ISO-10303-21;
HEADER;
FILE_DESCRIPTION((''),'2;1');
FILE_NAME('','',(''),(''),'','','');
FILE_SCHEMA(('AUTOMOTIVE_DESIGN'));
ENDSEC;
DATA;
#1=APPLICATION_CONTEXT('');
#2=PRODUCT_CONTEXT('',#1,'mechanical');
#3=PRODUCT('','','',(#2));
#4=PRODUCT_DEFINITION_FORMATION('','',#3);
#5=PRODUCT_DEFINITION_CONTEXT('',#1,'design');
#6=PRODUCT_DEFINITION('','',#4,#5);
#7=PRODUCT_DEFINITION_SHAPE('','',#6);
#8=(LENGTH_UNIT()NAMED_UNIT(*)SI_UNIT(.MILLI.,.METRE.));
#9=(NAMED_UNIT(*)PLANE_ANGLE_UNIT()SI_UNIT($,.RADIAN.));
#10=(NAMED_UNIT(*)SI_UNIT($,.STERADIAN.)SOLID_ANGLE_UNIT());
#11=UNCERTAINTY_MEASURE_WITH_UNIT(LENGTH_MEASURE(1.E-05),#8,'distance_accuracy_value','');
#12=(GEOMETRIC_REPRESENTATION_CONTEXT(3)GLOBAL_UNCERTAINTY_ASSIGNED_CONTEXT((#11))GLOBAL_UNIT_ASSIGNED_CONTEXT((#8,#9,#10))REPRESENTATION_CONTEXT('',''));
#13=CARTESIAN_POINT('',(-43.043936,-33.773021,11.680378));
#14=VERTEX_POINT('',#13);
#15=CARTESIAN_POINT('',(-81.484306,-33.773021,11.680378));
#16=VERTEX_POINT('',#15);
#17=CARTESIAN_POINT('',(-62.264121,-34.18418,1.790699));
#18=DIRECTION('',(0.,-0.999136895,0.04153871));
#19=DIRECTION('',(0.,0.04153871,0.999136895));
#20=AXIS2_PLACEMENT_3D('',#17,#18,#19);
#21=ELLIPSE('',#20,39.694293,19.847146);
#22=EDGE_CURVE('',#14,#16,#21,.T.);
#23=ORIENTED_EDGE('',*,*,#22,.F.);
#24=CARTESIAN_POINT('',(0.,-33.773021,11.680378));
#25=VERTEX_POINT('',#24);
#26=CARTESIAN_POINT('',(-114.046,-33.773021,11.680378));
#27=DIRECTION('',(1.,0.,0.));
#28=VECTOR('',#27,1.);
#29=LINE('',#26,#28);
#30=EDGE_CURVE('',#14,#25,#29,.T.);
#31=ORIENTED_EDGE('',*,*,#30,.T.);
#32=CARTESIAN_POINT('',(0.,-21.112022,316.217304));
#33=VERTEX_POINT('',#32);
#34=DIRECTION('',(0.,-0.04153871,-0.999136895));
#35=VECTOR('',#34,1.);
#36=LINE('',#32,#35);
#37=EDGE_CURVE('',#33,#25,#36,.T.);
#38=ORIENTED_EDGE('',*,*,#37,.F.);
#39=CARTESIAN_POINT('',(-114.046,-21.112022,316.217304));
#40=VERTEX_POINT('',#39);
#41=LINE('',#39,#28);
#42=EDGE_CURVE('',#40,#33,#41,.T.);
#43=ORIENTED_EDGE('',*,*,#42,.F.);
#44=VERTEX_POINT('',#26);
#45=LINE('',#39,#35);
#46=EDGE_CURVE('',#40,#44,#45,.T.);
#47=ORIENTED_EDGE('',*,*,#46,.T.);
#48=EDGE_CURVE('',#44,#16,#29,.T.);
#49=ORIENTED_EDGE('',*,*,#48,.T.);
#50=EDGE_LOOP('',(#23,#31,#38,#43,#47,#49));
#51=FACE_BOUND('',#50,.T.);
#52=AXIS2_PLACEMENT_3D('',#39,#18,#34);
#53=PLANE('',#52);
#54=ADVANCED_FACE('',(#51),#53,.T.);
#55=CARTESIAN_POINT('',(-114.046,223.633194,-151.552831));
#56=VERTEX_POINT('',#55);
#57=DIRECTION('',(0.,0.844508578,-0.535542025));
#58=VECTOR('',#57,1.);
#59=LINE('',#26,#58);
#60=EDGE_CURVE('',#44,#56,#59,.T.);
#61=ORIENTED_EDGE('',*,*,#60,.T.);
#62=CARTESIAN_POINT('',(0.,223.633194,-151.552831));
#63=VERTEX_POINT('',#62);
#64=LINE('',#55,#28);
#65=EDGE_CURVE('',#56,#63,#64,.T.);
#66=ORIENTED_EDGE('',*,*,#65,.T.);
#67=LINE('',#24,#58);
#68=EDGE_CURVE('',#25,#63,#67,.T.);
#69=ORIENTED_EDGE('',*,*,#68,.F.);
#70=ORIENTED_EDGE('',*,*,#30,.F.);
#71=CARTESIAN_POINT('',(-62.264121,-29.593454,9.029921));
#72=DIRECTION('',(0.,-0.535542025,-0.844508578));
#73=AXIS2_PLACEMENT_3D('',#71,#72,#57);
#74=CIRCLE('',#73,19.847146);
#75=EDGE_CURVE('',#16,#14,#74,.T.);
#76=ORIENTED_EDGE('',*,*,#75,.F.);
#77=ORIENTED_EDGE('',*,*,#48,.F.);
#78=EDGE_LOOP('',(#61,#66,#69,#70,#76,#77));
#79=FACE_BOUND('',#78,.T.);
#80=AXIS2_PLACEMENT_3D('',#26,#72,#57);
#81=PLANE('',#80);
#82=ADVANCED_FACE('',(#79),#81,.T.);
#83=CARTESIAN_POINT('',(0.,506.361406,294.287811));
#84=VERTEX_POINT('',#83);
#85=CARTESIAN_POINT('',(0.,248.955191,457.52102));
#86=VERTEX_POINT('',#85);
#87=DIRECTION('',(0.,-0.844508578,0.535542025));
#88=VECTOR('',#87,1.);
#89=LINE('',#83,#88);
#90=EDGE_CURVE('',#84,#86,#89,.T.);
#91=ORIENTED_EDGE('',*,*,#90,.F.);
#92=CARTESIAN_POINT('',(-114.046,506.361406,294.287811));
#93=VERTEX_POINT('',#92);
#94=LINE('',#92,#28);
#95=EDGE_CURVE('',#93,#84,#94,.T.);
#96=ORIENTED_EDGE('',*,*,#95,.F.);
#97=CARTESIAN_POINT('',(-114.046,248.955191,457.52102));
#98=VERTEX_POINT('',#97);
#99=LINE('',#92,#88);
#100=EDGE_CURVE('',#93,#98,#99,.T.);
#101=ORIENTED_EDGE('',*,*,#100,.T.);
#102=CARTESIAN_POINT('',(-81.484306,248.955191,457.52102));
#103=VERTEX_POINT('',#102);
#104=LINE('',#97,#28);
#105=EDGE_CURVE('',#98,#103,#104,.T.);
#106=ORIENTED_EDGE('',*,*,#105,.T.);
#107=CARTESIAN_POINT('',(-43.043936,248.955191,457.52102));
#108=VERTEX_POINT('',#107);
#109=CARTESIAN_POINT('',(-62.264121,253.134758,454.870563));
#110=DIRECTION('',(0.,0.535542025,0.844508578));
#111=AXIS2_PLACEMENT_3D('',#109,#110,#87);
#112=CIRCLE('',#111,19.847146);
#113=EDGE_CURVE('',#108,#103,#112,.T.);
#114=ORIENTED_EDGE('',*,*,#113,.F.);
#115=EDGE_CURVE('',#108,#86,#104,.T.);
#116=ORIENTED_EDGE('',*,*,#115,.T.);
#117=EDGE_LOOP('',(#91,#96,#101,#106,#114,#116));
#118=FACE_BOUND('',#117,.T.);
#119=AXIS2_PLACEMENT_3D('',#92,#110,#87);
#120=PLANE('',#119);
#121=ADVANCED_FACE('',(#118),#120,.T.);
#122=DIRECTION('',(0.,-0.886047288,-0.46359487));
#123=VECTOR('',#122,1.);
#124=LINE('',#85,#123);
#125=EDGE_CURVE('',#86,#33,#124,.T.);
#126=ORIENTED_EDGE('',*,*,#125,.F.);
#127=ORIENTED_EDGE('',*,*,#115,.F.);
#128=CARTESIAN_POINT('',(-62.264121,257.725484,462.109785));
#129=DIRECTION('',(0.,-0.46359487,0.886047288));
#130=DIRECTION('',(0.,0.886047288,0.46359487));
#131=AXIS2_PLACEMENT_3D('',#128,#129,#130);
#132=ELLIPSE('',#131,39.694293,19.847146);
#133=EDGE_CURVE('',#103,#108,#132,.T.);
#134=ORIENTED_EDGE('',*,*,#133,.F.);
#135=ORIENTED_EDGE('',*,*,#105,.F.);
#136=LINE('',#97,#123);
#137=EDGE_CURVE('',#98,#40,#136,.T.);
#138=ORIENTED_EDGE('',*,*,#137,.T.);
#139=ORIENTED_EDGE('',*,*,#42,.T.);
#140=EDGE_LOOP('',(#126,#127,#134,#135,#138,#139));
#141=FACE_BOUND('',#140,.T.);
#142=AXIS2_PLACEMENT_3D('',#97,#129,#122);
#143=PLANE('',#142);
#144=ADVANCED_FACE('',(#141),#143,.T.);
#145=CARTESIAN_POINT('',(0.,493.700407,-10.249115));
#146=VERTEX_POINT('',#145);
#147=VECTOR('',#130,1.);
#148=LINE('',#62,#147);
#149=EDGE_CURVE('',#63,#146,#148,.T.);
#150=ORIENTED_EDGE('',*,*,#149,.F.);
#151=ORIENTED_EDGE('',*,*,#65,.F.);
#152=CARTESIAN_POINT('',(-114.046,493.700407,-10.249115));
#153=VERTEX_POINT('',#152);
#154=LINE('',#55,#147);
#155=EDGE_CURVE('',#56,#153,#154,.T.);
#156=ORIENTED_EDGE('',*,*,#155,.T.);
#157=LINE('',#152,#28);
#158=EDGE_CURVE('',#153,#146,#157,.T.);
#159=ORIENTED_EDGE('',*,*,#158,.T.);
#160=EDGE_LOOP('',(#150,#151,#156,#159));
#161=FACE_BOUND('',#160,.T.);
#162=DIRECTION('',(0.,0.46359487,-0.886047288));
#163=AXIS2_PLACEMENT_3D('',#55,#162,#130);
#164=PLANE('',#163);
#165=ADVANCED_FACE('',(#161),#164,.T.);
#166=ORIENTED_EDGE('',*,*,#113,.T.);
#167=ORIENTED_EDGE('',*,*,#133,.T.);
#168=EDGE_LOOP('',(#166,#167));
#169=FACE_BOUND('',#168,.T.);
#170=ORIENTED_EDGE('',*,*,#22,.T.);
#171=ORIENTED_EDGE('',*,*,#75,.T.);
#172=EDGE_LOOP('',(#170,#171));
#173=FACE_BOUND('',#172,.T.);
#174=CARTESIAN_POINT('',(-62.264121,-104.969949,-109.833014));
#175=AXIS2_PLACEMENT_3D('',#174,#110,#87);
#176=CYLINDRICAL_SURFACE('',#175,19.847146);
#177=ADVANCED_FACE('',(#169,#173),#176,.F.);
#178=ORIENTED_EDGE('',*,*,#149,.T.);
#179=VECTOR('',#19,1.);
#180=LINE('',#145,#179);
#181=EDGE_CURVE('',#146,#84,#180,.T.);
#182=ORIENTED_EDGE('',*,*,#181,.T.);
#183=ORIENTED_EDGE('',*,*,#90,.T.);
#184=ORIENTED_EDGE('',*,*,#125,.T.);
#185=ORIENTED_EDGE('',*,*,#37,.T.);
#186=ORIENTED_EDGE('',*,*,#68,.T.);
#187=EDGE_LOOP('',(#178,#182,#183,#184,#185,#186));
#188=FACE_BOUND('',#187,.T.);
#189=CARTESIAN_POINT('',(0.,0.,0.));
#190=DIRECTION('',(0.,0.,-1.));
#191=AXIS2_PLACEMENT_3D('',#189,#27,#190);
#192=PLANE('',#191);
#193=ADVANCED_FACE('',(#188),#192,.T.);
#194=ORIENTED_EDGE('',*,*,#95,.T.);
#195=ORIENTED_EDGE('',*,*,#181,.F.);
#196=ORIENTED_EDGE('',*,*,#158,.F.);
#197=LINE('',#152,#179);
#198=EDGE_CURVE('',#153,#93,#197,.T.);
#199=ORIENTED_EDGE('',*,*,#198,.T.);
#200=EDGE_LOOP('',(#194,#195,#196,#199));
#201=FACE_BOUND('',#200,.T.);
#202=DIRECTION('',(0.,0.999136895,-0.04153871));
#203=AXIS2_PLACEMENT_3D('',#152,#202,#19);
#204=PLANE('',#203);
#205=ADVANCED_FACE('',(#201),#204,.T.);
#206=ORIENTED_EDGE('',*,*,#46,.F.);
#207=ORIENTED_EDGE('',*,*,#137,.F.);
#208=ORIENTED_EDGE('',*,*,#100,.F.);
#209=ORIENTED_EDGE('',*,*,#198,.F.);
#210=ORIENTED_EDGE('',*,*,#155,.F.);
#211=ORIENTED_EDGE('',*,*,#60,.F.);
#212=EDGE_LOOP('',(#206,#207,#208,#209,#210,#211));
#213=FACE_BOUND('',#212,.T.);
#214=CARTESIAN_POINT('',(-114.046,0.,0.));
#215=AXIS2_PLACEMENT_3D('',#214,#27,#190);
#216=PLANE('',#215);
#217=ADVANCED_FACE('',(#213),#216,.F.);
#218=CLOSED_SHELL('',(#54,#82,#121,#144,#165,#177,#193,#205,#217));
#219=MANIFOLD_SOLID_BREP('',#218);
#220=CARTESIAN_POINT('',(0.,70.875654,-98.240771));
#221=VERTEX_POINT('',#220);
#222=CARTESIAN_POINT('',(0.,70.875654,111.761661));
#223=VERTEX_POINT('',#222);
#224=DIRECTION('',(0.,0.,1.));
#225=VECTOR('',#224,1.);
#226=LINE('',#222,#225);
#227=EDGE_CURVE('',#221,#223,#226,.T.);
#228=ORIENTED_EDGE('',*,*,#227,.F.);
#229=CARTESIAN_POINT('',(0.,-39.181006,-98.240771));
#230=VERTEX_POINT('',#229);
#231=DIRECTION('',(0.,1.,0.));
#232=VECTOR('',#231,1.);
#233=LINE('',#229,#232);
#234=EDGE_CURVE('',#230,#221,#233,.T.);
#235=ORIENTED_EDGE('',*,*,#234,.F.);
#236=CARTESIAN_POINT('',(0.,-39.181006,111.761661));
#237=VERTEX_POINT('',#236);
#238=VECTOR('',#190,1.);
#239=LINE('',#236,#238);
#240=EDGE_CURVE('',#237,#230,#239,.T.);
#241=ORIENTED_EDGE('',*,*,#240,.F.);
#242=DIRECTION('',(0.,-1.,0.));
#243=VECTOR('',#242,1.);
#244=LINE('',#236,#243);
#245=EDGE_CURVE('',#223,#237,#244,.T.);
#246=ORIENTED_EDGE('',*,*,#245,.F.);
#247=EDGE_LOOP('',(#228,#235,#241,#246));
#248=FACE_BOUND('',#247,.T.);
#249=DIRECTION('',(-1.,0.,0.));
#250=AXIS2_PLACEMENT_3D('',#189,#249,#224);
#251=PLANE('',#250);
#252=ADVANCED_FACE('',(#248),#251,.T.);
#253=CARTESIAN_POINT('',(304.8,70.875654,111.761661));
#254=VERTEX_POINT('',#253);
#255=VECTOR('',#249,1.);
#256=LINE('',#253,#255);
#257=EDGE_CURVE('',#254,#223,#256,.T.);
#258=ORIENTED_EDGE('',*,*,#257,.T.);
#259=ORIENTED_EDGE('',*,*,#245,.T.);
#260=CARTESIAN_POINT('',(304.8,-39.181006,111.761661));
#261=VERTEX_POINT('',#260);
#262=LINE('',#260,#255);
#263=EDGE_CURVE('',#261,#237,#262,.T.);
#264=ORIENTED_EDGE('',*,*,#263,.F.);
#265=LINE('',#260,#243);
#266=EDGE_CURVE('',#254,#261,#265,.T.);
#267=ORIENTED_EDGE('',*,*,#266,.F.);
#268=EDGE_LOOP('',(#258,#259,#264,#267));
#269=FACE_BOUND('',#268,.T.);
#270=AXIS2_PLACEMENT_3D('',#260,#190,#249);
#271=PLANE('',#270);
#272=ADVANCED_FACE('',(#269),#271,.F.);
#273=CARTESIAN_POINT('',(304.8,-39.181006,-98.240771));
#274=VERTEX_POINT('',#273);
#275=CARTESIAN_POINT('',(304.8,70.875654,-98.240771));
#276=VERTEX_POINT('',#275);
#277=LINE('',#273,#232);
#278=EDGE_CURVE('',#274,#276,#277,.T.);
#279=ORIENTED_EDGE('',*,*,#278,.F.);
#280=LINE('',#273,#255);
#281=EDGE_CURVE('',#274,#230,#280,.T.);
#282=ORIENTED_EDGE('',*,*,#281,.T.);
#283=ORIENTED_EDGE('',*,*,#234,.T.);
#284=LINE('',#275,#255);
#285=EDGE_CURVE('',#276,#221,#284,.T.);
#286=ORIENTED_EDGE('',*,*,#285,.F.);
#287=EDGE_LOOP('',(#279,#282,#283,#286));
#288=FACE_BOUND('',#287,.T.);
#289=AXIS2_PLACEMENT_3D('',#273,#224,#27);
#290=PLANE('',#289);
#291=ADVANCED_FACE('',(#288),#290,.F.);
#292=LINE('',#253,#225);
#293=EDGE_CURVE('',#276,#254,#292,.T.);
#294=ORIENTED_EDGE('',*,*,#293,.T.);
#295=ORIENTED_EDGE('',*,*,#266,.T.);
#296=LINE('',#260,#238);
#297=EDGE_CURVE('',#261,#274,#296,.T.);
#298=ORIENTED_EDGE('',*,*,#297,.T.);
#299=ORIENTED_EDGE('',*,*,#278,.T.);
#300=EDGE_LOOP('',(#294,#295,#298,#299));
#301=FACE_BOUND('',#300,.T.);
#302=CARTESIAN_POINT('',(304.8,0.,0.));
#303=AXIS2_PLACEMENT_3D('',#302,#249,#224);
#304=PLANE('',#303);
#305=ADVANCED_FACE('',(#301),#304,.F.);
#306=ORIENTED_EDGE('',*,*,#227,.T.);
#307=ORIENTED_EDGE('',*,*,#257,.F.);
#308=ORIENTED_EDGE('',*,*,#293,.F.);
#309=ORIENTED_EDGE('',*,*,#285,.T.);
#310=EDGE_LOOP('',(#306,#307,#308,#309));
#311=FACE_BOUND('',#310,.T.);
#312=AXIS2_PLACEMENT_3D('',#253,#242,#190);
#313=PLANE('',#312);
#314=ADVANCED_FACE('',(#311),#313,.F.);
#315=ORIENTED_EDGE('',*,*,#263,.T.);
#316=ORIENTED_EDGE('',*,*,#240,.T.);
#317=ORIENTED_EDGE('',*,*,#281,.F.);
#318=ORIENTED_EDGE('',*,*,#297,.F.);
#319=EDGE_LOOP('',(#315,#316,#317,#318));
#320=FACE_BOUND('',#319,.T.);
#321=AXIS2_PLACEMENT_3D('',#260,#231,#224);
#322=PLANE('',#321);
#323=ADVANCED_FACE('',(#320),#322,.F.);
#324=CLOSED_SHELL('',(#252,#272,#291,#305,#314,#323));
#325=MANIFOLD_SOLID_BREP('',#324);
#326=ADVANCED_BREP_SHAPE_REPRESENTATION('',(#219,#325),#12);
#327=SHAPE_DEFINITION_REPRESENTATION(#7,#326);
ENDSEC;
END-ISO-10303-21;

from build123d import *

# Parameters (mm, degrees)
SKETCH1_W           = 210.00243261
SKETCH1_H           = 110.05666017
BOSS_EXTRUDE1_DEPTH = 304.8
BOSS_EXTRUDE2_DEPTH = 114.046
SKETCH3_R           = 19.847146284
CUT_EXTRUDE1_DEPTH  = 737.439597843


with BuildPart() as part:
    # Sketch1 → Boss-Extrude1 (new body)
    with BuildSketch(Plane(origin=(0, 0, 0), x_dir=(0, 0, -1), z_dir=(1, 0, 0))):
        with Locations((-6.76044486, 15.847323966)):
            Rectangle(SKETCH1_W, SKETCH1_H)
    extrude(amount=BOSS_EXTRUDE1_DEPTH)


with BuildPart() as body_2:
    # Sketch2 → Boss-Extrude2 (new body)
    with BuildSketch(Plane(origin=(0, 0, 0), x_dir=(0, 0, -1), z_dir=(1, 0, 0))):
        Polygon((10.24911483, 493.70040749), (-294.287810867, 506.361406154), (-457.521020196, 248.955191443), (-316.217303829, -21.112021933), (-11.680378132, -33.773020598), (151.552831197, 223.633194114), align=None)
    extrude(amount=-BOSS_EXTRUDE2_DEPTH)

    # Sketch3 → Cut-Extrude1 (cut, through all)
    with BuildSketch(Plane(origin=(0, 278.324614741, 438.896507861), x_dir=(1, 0, 0), z_dir=(0, 0.5355420253583275, 0.8445085784496807))):
        with Locations(Location((-62.264120874, -29.827827888, 0), (0, 0, 194.439723092))):
            Circle(SKETCH3_R)
    extrude(amount=-CUT_EXTRUDE1_DEPTH, mode=Mode.SUBTRACT)


solid = Compound([part.part, body_2.part])
